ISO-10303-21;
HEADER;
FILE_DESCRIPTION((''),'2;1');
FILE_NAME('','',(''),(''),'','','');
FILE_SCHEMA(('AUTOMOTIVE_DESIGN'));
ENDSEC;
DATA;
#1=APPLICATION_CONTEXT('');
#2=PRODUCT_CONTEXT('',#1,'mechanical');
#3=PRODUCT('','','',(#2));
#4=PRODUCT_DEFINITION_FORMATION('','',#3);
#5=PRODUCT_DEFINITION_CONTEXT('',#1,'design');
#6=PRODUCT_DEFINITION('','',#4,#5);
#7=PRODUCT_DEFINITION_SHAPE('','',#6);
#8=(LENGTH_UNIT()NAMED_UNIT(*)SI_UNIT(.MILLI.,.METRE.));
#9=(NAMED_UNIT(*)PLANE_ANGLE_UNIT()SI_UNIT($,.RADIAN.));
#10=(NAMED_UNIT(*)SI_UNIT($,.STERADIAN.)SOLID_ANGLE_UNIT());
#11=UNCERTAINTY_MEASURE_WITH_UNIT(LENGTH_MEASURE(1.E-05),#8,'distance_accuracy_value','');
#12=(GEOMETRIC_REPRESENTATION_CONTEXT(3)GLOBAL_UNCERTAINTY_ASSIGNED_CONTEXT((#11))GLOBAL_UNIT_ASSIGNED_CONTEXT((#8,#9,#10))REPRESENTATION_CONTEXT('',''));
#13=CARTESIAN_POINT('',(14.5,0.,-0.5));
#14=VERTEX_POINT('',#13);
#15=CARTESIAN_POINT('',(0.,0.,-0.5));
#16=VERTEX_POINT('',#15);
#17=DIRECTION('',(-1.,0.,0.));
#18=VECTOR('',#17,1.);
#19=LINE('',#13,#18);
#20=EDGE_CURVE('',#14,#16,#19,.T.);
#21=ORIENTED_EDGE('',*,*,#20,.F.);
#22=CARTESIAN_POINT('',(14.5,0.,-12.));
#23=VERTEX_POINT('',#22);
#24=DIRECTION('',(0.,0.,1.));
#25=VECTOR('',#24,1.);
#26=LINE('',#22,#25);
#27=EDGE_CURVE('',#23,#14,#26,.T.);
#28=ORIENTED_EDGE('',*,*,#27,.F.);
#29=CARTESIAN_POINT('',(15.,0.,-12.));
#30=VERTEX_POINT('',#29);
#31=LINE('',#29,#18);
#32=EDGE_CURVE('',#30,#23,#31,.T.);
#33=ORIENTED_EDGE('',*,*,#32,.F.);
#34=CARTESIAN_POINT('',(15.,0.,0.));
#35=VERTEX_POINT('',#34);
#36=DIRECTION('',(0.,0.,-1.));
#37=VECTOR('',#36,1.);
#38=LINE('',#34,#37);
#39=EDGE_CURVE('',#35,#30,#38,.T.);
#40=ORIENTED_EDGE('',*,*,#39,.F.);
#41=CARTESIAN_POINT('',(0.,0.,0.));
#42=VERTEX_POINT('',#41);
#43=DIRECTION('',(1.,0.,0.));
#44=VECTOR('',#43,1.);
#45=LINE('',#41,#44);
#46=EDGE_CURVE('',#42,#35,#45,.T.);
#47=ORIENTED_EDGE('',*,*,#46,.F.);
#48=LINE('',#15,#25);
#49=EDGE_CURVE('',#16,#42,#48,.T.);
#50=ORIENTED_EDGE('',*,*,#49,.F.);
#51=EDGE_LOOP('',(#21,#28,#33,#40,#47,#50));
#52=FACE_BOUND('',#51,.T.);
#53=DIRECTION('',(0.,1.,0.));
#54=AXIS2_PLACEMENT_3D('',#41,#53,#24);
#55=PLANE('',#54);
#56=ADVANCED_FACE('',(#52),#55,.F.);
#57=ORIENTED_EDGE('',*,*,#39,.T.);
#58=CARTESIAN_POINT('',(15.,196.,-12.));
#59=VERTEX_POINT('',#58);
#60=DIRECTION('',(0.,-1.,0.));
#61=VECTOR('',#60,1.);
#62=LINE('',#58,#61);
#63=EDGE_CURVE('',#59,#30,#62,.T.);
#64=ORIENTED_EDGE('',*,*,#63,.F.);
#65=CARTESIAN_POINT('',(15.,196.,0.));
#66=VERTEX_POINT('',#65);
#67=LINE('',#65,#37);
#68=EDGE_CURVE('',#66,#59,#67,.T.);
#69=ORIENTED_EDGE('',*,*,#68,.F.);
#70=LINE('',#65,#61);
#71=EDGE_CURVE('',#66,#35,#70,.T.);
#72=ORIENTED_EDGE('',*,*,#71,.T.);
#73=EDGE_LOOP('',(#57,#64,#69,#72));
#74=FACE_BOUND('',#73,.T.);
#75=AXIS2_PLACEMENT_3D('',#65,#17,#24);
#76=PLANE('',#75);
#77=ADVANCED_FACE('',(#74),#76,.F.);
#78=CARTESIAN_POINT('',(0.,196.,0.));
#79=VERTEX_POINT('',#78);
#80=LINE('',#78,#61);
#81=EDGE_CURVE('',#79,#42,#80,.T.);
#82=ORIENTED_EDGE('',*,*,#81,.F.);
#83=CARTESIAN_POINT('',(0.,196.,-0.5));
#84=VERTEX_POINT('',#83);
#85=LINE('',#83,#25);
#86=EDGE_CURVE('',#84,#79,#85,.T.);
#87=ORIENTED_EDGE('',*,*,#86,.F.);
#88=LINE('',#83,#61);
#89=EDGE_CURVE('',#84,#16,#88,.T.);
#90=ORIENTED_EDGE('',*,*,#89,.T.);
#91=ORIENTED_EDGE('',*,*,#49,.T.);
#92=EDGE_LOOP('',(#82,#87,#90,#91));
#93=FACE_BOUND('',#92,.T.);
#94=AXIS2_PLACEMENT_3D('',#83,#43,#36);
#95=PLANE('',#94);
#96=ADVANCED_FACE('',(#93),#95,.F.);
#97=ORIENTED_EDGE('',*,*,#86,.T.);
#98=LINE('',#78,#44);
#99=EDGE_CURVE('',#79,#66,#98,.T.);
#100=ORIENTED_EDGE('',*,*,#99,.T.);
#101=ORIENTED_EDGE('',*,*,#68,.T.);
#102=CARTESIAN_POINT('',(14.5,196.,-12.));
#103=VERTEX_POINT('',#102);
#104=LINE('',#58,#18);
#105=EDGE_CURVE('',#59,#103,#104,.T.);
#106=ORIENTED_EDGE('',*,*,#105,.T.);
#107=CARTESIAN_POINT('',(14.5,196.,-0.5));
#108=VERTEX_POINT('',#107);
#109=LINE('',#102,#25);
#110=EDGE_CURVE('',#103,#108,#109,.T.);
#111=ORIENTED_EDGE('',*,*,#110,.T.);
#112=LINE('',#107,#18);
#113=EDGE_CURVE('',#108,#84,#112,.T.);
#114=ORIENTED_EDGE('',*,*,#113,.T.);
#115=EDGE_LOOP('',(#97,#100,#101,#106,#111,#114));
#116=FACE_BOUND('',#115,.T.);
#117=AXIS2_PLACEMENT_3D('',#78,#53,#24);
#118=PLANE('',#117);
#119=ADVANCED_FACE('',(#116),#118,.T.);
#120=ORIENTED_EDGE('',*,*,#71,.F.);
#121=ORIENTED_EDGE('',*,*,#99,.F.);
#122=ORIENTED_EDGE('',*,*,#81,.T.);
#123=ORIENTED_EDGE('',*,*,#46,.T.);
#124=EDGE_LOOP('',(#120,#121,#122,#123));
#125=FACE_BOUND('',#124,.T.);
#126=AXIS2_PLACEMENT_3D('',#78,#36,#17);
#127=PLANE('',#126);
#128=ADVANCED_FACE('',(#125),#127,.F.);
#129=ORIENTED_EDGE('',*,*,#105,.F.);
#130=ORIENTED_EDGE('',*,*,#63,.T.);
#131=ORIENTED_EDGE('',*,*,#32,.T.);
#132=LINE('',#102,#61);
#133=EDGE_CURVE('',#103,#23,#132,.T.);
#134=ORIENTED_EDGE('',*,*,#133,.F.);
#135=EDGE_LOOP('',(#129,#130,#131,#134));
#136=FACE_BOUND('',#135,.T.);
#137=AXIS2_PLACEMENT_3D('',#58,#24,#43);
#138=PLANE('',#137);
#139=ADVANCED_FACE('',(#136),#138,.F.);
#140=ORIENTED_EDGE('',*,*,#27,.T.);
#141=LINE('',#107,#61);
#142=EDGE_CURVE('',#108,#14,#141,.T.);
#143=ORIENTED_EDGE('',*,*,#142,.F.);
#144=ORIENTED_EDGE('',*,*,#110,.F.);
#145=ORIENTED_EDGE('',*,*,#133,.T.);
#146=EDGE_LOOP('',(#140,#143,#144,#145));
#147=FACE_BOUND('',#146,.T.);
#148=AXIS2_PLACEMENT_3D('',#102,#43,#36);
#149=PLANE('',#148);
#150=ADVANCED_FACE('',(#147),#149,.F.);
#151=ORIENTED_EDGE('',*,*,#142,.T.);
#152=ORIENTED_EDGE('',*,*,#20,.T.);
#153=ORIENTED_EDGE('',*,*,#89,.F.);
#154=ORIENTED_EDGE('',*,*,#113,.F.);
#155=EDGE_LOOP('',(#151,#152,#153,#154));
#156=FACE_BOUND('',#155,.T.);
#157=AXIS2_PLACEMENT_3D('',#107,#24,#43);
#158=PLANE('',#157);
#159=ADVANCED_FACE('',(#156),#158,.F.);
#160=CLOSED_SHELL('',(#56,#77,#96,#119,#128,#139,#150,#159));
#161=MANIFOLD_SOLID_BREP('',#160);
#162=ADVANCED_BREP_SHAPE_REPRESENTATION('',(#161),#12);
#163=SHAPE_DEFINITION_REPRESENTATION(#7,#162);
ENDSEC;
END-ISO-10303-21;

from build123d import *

# Parameters (mm, degrees)
BOSS_EXTRUDE1_DEPTH = 196


with BuildPart() as part:
    # Sketch1 → Boss-Extrude1 (new body)
    with BuildSketch(Plane(origin=(0, 0, 0), x_dir=(1, 0, 0), z_dir=(0, 1, 0))):
        Polygon((0, 0), (15, 0), (15, 12), (14.5, 12), (14.5, 0.5), (0, 0.5), align=None)
    extrude(amount=BOSS_EXTRUDE1_DEPTH)


solid = part.part
